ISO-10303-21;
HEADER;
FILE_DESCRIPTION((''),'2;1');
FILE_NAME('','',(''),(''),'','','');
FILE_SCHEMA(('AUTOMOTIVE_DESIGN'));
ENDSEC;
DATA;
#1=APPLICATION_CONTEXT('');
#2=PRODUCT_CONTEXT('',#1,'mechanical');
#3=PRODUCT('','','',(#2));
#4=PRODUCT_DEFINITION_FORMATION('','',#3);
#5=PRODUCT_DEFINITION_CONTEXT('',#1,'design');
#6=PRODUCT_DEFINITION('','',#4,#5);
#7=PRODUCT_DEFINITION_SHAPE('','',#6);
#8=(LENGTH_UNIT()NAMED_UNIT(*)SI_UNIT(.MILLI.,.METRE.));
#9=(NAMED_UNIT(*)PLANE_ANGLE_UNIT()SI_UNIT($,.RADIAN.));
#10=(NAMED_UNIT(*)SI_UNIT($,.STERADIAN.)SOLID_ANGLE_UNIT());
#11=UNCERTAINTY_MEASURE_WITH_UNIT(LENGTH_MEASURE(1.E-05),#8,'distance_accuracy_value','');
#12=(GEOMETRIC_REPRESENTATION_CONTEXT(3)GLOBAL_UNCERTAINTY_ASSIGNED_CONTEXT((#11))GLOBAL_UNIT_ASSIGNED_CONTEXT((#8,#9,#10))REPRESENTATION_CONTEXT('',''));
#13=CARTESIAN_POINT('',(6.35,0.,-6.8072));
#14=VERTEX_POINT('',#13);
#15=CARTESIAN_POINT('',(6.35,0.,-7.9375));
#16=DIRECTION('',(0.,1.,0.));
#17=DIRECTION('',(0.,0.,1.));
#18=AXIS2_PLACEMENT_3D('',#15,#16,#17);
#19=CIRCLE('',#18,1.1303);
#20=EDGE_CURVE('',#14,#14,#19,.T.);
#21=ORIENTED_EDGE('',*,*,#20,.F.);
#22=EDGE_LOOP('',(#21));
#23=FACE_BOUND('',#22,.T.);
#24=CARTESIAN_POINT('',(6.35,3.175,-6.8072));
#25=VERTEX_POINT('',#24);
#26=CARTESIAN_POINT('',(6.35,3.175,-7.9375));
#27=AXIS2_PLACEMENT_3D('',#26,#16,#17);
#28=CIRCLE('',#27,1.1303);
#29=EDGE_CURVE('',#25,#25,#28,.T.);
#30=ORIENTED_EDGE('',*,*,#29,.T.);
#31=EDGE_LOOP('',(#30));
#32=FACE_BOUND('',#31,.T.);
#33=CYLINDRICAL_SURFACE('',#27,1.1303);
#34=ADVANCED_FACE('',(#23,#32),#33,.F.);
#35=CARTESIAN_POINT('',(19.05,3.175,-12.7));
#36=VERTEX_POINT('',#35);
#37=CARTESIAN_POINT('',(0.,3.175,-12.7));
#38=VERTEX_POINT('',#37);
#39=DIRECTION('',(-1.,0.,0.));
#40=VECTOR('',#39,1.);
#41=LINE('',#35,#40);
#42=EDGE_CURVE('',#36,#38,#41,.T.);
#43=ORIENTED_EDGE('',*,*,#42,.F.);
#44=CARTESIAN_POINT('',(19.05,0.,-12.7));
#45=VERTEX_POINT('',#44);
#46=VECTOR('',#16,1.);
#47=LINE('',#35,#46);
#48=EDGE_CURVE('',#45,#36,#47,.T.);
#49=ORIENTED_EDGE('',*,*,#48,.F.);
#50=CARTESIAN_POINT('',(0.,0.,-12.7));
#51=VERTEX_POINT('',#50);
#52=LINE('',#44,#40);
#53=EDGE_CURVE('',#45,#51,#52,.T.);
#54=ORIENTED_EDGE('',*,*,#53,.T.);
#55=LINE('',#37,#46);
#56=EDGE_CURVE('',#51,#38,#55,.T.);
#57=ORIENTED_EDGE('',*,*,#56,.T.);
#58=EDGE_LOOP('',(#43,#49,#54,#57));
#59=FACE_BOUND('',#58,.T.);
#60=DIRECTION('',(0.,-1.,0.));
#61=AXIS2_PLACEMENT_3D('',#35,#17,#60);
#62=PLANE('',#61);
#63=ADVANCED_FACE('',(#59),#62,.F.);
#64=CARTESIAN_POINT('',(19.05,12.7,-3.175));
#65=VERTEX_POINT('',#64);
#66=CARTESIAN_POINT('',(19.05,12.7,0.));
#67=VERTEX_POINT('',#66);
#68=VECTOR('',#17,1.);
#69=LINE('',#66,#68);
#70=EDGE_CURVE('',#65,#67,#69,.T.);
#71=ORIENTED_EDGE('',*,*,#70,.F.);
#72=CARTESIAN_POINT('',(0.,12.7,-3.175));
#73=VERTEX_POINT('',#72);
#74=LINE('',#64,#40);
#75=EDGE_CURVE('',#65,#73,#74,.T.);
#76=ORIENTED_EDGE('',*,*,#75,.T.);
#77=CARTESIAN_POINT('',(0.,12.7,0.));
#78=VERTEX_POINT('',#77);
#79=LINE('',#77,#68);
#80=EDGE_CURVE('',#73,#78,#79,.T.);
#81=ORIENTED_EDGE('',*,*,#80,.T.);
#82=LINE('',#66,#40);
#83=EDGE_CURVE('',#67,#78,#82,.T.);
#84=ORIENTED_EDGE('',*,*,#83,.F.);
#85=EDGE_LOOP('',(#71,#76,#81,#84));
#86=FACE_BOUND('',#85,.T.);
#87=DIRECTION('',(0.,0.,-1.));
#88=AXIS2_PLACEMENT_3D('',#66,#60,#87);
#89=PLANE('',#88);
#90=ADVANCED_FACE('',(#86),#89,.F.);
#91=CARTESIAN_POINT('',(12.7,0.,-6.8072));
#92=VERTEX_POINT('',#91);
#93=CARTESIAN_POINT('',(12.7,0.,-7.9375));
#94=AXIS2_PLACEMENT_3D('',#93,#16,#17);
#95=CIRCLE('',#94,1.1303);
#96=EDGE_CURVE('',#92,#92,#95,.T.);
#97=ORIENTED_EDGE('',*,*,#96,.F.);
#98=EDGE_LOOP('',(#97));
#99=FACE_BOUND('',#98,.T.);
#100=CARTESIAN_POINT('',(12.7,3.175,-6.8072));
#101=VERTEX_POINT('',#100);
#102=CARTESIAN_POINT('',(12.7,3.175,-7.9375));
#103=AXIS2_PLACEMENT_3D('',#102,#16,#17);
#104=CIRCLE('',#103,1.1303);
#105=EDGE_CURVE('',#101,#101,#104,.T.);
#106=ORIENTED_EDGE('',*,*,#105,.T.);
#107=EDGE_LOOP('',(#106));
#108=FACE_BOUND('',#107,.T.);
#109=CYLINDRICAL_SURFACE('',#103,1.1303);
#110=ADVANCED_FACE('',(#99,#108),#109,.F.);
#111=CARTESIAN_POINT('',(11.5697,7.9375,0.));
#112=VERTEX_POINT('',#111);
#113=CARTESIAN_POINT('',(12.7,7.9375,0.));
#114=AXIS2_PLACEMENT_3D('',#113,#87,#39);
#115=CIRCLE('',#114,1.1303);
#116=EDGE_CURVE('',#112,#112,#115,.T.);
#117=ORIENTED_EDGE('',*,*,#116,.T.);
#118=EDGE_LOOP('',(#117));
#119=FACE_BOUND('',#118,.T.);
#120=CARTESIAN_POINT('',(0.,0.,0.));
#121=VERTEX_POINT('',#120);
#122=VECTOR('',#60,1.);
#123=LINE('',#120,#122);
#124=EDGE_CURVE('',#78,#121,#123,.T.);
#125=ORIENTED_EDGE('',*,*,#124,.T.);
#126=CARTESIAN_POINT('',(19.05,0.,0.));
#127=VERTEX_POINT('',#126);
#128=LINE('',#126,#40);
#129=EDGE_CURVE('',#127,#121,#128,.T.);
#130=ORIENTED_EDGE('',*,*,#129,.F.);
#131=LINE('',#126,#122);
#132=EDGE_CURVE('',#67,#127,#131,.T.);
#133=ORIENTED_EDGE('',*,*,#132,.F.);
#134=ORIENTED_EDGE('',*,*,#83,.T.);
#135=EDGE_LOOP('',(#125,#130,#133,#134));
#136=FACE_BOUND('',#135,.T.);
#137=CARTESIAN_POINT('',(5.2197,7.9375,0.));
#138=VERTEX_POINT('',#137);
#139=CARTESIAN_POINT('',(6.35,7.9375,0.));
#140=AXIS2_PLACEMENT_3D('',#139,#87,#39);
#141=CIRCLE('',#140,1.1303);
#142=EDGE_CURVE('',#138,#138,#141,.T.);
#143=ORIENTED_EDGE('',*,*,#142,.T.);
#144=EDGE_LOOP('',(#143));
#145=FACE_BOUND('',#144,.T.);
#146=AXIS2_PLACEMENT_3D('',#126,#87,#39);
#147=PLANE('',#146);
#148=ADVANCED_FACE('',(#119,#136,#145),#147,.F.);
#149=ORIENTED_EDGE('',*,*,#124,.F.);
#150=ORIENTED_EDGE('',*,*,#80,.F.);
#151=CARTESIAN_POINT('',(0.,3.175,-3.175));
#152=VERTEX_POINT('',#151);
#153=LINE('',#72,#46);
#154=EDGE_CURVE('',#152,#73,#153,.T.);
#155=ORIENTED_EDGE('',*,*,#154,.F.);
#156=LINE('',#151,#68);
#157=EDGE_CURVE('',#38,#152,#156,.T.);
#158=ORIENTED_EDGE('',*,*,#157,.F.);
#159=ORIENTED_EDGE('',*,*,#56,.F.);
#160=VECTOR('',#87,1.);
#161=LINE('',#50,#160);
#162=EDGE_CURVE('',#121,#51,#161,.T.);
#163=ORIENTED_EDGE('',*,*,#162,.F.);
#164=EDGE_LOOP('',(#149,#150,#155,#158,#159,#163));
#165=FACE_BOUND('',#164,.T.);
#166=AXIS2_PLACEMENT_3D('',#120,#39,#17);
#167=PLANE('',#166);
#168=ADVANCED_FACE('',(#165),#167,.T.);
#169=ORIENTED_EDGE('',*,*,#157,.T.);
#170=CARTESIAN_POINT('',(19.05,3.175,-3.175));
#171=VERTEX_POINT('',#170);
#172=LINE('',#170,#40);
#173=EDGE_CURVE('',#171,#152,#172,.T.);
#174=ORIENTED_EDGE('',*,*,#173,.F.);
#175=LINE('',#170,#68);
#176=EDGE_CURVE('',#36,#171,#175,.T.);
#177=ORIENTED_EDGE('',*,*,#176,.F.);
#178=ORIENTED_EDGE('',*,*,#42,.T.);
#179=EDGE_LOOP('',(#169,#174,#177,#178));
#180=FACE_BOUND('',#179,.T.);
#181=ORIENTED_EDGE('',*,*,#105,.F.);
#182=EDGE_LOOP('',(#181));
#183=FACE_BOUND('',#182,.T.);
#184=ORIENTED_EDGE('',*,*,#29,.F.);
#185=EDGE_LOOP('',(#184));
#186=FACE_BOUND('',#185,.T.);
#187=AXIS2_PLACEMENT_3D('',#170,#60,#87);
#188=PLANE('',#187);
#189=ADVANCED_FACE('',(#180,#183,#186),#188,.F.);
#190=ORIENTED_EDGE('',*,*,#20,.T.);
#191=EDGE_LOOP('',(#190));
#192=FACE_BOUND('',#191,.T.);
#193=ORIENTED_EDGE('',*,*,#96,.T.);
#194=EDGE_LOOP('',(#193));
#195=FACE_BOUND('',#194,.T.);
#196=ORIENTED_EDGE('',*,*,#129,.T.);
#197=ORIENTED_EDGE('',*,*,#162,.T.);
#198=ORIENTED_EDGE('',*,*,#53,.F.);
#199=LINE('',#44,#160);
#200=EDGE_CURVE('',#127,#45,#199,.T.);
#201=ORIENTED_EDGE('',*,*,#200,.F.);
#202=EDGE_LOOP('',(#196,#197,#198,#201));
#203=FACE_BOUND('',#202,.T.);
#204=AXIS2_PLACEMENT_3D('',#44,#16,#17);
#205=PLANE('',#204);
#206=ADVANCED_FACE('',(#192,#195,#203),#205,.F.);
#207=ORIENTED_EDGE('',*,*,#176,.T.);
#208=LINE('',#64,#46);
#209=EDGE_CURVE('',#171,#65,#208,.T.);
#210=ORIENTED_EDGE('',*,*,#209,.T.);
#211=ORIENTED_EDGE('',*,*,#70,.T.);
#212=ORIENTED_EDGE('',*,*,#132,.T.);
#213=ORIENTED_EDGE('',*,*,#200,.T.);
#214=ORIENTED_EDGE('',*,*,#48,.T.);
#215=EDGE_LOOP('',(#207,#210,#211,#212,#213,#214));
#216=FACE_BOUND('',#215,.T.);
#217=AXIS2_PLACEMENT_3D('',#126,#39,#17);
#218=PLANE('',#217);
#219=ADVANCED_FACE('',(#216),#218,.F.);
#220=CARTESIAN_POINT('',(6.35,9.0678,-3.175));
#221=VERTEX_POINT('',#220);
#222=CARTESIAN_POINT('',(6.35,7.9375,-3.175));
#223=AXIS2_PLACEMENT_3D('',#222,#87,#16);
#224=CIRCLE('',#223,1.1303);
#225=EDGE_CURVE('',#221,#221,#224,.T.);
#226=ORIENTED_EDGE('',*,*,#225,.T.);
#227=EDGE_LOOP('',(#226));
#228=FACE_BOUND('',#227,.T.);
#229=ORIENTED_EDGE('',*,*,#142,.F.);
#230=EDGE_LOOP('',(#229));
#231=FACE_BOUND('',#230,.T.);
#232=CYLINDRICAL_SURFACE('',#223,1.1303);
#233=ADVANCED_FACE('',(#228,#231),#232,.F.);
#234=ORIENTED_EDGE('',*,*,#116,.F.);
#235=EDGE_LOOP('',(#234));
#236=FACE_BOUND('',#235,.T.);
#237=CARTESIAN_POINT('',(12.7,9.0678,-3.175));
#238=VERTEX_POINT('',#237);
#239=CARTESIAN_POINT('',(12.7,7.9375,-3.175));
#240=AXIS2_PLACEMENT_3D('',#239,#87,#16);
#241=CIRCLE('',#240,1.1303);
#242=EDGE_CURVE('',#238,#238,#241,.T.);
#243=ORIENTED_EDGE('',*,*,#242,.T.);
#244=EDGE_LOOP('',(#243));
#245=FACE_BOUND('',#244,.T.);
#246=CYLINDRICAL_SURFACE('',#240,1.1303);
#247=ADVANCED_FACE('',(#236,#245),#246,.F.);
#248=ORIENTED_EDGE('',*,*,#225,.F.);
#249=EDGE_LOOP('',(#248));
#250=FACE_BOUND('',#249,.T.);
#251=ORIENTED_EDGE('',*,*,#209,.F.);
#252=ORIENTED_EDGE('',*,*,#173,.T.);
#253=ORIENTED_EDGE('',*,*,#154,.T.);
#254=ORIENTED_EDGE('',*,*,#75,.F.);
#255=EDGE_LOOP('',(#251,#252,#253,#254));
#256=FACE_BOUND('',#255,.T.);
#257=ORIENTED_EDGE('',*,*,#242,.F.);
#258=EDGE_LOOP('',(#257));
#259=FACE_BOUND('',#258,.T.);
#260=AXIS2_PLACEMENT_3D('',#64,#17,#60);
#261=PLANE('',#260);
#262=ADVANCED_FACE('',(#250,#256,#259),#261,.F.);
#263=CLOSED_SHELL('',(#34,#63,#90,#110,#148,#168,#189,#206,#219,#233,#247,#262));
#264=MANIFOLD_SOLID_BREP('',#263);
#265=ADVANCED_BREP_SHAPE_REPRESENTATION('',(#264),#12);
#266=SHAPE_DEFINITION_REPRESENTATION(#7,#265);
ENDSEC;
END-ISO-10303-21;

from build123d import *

# Parameters (mm, degrees)
BOSS_EXTRUDE1_DEPTH             = 19.05
F_43_0_089_DIAMETER_HOLE1_D     = 2.2606
F_43_0_089_DIAMETER_HOLE1_DEPTH = 25.4
F_43_0_089_DIAMETER_HOLE1_TIP   = 0.679152758
F_43_0_089_DIAMETER_HOLE2_D     = 2.2606
F_43_0_089_DIAMETER_HOLE2_DEPTH = 25.4
F_43_0_089_DIAMETER_HOLE2_TIP   = 0.679152758


with BuildPart() as part:
    # Sketch1 → Boss-Extrude1 (new body)
    with BuildSketch(Plane(origin=(0, 0, 0), x_dir=(0, 0, -1), z_dir=(1, 0, 0))):
        Polygon((0, 0), (0, 12.7), (3.175, 12.7), (3.175, 3.175), (12.7, 3.175), (12.7, 0), align=None)
    extrude(amount=BOSS_EXTRUDE1_DEPTH)

    # #43 (0.089) Diameter Hole1
    with Locations(Plane(origin=(0, 0, -3.175), x_dir=(-1, 0, 0), z_dir=(0, 0, -1))):
        with Locations((-6.35, 7.9375), (-12.7, 7.9375)):
            Hole(F_43_0_089_DIAMETER_HOLE1_D / 2, depth=F_43_0_089_DIAMETER_HOLE1_DEPTH)
            with Locations((0, 0, -(F_43_0_089_DIAMETER_HOLE1_DEPTH + F_43_0_089_DIAMETER_HOLE1_TIP / 2))):  # 118° drill point
                Cone(0, F_43_0_089_DIAMETER_HOLE1_D / 2, F_43_0_089_DIAMETER_HOLE1_TIP, mode=Mode.SUBTRACT)

    # #43 (0.089) Diameter Hole2
    with Locations(Plane(origin=(0, 3.175, 0), x_dir=(1, 0, 0), z_dir=(0, 1, 0))):
        with Locations((6.35, 7.9375), (12.7, 7.9375)):
            Hole(F_43_0_089_DIAMETER_HOLE2_D / 2, depth=F_43_0_089_DIAMETER_HOLE2_DEPTH)
            with Locations((0, 0, -(F_43_0_089_DIAMETER_HOLE2_DEPTH + F_43_0_089_DIAMETER_HOLE2_TIP / 2))):  # 118° drill point
                Cone(0, F_43_0_089_DIAMETER_HOLE2_D / 2, F_43_0_089_DIAMETER_HOLE2_TIP, mode=Mode.SUBTRACT)


solid = part.part
